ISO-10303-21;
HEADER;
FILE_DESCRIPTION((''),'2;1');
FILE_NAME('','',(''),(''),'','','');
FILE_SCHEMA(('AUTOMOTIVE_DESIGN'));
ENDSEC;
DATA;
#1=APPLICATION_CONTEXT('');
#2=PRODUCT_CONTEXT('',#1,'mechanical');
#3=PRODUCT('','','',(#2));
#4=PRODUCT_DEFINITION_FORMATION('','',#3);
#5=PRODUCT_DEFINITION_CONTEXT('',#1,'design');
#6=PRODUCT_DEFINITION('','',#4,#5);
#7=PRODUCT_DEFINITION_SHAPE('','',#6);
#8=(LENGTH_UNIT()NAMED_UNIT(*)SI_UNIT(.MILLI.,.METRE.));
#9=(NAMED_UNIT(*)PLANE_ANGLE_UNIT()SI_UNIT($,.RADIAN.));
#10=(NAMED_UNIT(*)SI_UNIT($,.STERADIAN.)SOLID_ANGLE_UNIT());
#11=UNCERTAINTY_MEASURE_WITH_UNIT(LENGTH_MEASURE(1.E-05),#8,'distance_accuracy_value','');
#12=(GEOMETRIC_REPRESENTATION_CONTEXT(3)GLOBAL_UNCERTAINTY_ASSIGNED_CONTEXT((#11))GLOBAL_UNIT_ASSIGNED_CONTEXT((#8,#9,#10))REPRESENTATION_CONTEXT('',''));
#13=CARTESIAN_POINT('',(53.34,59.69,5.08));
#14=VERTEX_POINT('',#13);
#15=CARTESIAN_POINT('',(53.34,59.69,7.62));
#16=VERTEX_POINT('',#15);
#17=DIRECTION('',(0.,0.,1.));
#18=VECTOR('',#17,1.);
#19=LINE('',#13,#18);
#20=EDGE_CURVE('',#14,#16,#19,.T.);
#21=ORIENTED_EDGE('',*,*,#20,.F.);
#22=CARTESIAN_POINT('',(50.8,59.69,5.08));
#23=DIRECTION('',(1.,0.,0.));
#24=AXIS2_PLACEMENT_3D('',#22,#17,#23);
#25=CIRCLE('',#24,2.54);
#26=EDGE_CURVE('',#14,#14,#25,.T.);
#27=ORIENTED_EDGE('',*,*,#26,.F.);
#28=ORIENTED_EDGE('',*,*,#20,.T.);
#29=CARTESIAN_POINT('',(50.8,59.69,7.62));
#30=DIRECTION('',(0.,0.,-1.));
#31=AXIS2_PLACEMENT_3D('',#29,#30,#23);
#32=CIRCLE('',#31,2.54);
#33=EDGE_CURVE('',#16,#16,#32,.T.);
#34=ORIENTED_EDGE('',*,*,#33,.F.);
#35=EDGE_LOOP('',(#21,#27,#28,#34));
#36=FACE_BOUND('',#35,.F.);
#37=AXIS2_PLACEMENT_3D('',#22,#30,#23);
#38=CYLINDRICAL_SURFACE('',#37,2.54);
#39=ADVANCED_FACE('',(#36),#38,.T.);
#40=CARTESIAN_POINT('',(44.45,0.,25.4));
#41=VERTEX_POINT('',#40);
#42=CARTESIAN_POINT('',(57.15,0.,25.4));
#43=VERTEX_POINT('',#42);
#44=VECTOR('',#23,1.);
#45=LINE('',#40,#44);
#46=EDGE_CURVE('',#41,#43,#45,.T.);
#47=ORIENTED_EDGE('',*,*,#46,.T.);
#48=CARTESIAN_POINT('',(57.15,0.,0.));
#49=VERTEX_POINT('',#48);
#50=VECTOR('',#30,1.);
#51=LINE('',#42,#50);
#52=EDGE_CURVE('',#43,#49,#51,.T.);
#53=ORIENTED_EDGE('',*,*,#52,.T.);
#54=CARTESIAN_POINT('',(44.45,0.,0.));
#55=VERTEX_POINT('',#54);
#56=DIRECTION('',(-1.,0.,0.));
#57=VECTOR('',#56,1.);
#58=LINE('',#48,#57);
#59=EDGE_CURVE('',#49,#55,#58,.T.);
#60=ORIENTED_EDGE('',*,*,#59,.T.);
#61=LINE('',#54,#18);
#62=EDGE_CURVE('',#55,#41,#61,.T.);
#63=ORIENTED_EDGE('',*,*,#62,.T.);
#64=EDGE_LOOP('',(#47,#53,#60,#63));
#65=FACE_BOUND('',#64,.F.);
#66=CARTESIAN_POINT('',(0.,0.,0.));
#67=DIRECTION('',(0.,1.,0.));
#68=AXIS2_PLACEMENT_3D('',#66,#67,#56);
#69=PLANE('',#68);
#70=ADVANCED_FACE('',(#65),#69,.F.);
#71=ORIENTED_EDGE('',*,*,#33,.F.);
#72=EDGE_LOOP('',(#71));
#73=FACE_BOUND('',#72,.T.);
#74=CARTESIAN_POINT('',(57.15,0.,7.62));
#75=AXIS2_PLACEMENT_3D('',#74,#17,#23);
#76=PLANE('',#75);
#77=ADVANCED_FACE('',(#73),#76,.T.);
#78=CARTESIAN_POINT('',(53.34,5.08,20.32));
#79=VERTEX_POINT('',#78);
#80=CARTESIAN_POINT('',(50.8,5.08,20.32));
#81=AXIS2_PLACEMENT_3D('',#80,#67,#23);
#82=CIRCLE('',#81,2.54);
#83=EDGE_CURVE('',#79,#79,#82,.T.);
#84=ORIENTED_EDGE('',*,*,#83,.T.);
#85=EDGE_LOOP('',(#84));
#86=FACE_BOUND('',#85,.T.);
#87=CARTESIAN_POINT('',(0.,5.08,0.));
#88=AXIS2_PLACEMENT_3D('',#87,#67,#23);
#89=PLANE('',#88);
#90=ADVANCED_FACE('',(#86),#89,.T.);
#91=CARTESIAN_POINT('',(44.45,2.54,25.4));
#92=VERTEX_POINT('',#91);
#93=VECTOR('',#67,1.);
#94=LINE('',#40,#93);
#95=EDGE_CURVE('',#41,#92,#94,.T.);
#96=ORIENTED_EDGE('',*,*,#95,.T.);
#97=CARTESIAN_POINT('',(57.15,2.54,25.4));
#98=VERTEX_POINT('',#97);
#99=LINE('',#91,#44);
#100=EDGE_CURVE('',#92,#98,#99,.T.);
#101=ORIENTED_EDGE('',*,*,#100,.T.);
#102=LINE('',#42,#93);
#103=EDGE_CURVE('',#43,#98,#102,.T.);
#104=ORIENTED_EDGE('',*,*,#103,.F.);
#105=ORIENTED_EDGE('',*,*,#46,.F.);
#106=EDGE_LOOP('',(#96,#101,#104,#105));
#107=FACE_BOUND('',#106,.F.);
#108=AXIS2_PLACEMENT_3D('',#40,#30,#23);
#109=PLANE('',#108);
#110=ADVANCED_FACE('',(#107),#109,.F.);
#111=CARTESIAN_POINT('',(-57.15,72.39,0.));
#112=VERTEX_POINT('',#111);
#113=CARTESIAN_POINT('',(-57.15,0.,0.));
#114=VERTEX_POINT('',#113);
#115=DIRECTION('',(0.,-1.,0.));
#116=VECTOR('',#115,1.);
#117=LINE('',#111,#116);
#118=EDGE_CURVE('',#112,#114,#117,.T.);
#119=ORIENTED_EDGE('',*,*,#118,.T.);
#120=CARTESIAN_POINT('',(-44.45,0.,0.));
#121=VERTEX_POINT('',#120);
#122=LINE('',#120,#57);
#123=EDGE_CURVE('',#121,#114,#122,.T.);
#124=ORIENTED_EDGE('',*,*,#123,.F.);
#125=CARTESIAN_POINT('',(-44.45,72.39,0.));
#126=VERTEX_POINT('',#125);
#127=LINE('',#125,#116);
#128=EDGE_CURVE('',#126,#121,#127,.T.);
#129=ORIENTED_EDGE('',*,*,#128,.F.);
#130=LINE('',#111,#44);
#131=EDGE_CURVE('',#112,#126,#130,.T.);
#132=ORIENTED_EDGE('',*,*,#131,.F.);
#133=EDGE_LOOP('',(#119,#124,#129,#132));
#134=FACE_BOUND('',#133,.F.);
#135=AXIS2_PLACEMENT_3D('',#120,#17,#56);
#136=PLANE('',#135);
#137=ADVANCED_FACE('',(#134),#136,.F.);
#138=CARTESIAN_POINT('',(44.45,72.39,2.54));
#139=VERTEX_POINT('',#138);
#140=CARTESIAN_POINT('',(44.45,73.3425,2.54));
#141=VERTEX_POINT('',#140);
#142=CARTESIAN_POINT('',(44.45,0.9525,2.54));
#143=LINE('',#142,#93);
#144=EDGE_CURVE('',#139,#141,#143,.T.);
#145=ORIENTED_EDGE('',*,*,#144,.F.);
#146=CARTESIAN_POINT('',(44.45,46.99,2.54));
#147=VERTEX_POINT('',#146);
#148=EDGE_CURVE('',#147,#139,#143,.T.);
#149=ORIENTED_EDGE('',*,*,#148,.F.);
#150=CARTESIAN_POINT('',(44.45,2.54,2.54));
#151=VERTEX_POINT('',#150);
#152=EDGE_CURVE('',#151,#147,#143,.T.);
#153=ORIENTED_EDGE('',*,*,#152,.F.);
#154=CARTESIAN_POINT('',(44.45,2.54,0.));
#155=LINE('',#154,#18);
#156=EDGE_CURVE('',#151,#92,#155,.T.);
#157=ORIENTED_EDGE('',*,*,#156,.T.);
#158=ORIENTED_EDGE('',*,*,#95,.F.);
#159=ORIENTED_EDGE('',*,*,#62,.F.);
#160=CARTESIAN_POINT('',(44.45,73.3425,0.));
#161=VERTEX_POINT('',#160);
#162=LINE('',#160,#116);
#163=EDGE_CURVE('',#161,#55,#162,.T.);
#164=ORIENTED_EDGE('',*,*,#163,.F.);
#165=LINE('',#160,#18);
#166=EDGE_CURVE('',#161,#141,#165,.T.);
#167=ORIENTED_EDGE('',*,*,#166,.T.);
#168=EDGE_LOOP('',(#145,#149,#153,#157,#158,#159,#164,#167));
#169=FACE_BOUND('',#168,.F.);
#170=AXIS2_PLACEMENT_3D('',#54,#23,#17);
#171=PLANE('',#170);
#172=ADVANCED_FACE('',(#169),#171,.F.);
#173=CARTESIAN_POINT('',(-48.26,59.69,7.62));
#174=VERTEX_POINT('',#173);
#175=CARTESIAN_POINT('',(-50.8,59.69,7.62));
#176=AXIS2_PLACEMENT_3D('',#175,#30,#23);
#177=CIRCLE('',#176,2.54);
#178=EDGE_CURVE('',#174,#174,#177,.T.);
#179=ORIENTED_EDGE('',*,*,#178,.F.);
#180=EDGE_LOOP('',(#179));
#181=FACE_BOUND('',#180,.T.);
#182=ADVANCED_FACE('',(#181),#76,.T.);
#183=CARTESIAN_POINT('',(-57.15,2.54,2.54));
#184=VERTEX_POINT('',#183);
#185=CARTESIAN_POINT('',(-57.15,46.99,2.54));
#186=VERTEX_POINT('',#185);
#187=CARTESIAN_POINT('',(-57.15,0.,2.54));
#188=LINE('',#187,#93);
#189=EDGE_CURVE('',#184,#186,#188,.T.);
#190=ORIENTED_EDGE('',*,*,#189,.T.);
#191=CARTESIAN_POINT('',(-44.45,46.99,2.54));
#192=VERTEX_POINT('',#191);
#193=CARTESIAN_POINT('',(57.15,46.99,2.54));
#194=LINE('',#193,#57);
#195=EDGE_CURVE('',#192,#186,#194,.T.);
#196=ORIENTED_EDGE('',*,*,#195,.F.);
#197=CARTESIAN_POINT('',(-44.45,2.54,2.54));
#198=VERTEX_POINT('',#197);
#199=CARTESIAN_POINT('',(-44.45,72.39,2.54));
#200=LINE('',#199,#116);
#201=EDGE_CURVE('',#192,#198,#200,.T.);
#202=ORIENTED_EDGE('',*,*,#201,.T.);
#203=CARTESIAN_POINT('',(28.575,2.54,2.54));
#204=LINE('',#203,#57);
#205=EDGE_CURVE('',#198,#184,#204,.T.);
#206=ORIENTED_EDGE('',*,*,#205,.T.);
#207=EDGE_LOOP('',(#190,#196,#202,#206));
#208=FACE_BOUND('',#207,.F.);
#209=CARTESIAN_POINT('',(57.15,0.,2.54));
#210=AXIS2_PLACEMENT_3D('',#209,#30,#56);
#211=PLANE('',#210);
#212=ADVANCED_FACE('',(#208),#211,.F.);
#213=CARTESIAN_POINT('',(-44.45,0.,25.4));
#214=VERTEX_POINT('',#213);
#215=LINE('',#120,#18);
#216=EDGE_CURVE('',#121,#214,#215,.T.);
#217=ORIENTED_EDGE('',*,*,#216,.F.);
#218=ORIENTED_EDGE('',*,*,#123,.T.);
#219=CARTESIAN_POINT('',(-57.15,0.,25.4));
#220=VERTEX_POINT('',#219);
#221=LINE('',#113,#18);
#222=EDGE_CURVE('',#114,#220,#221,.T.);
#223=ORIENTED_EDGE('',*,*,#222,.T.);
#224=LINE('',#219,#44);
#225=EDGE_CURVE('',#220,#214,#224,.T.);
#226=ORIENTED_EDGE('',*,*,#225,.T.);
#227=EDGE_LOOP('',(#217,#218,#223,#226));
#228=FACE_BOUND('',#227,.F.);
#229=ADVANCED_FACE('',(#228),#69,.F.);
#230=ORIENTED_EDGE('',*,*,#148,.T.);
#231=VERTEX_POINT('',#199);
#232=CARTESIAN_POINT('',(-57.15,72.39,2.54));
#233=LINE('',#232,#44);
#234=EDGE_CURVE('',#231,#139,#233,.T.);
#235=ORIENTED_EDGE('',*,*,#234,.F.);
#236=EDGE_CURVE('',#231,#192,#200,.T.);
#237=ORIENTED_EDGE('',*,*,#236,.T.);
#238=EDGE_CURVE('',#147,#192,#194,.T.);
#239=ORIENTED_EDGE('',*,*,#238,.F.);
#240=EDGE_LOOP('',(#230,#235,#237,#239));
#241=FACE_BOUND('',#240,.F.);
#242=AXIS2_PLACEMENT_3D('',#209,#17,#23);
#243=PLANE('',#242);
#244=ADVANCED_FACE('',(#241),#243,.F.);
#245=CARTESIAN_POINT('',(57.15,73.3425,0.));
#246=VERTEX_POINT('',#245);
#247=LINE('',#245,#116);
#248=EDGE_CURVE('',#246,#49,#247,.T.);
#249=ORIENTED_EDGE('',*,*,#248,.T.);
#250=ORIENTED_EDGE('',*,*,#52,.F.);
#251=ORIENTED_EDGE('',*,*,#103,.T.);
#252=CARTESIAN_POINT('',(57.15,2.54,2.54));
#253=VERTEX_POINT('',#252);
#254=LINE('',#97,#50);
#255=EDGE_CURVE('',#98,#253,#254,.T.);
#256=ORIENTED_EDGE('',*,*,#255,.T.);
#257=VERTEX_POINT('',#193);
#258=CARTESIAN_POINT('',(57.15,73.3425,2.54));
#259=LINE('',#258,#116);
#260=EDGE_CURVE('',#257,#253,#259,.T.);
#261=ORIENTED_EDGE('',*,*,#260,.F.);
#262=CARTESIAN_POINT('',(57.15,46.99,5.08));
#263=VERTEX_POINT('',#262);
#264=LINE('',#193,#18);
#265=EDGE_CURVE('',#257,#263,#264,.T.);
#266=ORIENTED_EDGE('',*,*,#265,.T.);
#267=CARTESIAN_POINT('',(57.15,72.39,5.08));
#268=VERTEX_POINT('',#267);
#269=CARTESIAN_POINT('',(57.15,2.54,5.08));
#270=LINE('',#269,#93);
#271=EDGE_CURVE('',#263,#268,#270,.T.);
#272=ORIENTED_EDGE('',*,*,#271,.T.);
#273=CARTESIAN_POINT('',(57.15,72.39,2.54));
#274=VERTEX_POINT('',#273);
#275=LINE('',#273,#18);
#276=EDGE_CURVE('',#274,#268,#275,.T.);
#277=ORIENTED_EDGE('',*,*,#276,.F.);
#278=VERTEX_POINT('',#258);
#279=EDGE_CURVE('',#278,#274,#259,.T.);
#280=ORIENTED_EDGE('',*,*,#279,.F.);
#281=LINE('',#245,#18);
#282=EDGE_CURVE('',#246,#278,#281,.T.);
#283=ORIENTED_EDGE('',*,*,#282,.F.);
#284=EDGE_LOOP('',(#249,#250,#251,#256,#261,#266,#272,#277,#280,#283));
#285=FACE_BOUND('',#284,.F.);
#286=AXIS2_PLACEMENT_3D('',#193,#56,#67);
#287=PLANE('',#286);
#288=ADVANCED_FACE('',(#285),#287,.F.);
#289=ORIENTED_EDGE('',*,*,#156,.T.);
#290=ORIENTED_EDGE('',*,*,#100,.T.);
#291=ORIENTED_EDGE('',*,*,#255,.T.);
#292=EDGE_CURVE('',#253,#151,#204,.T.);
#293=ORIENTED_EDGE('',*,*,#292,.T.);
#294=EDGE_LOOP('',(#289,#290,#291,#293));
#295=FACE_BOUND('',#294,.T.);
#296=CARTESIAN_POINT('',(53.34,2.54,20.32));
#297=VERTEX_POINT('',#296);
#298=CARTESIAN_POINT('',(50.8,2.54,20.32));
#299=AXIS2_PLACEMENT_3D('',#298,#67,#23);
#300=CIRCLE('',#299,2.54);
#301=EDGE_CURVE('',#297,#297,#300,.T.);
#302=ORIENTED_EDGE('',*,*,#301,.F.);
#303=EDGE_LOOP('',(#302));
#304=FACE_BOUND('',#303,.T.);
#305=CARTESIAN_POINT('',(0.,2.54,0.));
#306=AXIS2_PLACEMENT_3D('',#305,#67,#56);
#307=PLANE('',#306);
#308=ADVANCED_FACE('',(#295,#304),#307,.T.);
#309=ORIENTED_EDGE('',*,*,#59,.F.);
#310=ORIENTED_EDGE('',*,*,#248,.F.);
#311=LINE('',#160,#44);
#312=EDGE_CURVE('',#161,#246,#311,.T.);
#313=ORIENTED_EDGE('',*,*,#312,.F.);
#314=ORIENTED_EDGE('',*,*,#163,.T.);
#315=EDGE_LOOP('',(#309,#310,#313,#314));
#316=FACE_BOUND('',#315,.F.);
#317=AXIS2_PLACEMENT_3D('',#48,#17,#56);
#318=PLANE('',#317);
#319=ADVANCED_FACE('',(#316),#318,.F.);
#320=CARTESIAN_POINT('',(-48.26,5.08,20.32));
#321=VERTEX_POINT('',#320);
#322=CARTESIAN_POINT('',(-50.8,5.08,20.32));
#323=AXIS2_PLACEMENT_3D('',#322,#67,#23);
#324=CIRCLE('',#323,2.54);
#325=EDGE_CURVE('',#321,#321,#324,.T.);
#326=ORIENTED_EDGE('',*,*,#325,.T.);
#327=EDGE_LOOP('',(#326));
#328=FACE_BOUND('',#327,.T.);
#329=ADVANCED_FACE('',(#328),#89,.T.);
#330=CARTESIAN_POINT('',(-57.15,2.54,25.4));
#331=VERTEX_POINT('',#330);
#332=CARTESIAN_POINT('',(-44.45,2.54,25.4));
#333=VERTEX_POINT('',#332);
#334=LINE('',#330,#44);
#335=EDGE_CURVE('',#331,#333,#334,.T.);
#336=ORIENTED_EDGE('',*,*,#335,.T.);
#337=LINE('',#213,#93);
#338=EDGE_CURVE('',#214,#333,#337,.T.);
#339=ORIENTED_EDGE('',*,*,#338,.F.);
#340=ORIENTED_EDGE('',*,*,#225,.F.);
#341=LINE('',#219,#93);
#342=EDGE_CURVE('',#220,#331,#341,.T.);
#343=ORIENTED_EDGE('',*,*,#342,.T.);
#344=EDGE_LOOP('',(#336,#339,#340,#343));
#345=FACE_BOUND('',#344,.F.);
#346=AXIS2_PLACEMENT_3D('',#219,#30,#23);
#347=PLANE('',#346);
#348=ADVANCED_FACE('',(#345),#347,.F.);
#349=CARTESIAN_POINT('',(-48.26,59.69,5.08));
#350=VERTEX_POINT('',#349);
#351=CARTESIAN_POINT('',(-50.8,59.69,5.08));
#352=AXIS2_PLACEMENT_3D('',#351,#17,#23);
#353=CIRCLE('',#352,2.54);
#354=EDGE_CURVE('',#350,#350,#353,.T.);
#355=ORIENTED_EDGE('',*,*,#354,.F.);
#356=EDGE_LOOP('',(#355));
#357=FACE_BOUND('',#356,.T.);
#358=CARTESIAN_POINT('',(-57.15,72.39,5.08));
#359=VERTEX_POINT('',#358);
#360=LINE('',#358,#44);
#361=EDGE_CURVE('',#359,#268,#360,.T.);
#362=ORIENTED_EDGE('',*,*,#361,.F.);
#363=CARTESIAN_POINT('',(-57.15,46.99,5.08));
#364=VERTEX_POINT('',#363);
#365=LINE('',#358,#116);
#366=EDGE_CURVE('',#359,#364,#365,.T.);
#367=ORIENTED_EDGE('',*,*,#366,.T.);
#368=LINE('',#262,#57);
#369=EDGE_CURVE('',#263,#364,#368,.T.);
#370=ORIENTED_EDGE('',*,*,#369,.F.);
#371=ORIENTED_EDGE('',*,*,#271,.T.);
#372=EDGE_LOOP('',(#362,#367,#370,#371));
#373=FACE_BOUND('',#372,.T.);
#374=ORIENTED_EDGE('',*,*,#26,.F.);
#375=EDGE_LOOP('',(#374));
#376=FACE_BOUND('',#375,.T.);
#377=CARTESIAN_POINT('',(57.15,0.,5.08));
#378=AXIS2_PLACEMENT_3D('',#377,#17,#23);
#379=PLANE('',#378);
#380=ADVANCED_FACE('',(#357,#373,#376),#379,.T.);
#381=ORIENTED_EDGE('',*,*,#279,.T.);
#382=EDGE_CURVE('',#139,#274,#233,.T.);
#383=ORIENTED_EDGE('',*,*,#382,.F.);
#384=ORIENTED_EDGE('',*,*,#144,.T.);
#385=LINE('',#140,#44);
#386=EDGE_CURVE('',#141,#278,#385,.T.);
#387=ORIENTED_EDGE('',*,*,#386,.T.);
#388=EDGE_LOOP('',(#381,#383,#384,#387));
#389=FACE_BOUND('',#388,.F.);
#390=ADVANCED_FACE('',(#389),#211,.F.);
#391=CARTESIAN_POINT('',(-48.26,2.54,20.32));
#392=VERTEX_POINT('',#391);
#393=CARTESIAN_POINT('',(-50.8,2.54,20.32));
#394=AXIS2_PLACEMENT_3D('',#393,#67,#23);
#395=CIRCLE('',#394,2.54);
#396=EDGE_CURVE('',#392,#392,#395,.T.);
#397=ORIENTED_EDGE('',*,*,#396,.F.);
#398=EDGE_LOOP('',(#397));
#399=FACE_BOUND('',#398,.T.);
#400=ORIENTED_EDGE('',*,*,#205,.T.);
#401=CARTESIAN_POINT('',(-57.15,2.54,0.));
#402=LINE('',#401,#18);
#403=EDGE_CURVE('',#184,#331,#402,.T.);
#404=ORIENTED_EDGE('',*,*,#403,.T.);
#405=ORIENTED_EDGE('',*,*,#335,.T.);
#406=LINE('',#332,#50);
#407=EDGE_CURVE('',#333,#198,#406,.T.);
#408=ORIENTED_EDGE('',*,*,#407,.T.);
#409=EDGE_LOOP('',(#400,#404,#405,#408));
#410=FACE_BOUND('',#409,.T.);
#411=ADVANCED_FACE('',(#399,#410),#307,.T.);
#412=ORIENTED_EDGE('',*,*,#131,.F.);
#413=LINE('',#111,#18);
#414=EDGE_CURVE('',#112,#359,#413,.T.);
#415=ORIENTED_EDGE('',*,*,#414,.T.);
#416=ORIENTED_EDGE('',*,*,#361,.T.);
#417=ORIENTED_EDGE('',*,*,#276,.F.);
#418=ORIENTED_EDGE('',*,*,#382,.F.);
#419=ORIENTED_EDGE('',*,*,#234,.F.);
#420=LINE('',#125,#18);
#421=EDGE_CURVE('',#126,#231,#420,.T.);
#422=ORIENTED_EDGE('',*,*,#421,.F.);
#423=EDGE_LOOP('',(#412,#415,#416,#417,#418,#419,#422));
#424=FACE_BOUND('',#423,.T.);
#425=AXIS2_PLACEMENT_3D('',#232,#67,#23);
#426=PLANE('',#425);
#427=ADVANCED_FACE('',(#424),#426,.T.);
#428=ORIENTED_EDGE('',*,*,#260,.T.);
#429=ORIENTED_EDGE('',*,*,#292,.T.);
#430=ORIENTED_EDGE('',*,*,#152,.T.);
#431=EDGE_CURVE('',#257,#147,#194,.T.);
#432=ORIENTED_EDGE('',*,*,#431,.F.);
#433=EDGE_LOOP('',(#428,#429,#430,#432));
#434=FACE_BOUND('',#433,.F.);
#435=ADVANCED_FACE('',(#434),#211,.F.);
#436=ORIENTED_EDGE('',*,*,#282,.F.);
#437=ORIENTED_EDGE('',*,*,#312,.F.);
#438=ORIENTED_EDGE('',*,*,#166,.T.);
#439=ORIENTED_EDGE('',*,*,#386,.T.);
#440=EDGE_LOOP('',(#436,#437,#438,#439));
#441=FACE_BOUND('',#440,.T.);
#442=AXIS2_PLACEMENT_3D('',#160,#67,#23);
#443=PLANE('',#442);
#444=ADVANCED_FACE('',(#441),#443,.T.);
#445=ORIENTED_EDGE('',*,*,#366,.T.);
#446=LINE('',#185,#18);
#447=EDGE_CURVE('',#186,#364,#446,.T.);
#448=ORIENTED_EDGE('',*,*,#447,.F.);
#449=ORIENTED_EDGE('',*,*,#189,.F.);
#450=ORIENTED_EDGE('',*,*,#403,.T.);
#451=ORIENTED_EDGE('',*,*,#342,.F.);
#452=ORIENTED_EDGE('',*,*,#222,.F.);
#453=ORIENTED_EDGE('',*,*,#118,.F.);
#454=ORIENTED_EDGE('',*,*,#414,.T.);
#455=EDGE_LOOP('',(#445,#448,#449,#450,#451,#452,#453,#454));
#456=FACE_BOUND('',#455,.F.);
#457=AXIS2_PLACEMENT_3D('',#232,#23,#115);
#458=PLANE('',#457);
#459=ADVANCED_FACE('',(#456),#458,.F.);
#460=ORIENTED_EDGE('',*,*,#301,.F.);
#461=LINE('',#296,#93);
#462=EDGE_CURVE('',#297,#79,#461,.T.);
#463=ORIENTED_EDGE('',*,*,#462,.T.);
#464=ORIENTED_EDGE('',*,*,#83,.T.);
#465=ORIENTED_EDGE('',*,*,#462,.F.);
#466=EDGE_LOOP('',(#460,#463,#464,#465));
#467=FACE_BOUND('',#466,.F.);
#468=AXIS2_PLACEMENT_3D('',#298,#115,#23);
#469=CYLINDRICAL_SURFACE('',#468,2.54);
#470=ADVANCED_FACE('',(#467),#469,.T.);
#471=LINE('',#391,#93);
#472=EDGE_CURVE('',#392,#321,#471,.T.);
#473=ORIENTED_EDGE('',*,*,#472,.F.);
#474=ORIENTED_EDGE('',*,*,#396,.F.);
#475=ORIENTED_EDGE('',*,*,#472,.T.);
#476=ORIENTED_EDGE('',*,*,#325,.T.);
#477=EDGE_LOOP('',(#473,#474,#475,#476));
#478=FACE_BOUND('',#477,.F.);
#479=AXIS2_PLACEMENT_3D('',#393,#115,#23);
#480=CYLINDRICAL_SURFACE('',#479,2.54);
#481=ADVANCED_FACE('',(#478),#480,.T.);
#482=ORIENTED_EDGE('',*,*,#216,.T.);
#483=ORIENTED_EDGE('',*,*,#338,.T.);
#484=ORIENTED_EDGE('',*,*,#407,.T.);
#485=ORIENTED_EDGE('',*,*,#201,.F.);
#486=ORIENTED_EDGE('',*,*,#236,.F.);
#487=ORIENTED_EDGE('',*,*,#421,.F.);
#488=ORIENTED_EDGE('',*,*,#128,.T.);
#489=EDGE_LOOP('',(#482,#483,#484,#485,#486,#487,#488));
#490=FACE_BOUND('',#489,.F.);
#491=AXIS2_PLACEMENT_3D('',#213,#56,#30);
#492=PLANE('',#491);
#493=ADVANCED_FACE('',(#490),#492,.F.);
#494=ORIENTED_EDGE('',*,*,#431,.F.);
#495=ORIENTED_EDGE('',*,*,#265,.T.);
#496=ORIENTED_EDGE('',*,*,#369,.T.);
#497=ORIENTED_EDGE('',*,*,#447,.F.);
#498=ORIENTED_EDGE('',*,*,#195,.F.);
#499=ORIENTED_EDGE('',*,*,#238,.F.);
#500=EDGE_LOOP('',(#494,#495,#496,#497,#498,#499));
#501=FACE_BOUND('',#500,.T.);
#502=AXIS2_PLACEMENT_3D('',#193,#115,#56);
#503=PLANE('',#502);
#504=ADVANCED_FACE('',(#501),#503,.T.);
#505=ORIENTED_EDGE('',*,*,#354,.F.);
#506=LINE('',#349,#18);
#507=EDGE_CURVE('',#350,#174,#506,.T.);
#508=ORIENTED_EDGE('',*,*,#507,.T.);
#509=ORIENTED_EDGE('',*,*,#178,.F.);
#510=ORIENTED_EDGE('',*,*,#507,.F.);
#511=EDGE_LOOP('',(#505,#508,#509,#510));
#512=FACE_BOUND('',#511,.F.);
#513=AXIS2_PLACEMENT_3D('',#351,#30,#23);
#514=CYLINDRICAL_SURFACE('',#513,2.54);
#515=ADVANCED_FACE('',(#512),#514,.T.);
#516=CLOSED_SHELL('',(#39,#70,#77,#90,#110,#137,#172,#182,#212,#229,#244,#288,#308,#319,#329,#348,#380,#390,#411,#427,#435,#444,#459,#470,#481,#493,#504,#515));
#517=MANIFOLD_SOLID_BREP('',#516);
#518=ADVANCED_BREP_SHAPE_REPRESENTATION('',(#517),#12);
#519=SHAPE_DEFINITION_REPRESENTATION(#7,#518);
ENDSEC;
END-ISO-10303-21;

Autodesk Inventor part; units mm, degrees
ref_plane "YZ Plane" through (0, 0, 0) normal (1, 0, 0) x (0, 1, 0)
ref_plane "XZ Plane" through (0, 0, 0) normal (0, 1, 0) x (-1, 0, 0)
ref_plane "XY Plane" through (0, 0, 0) normal (0, 0, 1) x (1, 0, 0)
sketch "Sketch1" plane through (0, 0, 0) normal (0, 1, 0) x (-1, 0, 0)
  line L0 (57.15, 25.4) -> (44.45, 25.4)
  line L1 (44.45, 25.4) -> (44.45, 0)
  line L2 (44.45, 0) -> (57.15, 0)
  line L3 (57.15, 0) -> (57.15, 25.4)
  line L4 (-44.45, 25.4) -> (-57.15, 25.4)
  line L5 (-57.15, 25.4) -> (-57.15, 0)
  line L6 (-57.15, 0) -> (-44.45, 0)
  line L7 (-44.45, 0) -> (-44.45, 25.4)
  line L8 (44.45, 25.4) -> (-44.45, 25.4) construction
  point P0 (0, 0)
  dimension "d0" = 12.7
  dimension "d1" = 25.4
  dimension "d2" = 114.3
  dimension "d3" = 57.15
extrude "Extrusion1" add sketch "Sketch1" along normal blind 2.54
sketch "Sketch2" plane through (57.15, 0, 0) normal (0, 0, -1) x (-1, 0, 0)
  line L0 (0, 0.9525) -> (12.7, 0.9525)
  line L1 (12.7, 0.9525) -> (12.7, 73.3425)
  line L2 (12.7, 73.3425) -> (0, 73.3425)
  line L3 (0, 73.3425) -> (0, 0.9525)
  line L4 (101.6, 0) -> (114.3, 0)
  line L5 (114.3, 0) -> (114.3, 72.39)
  line L6 (114.3, 72.39) -> (101.6, 72.39)
  line L7 (101.6, 72.39) -> (101.6, 0)
  line L8 (12.7, 0) -> (12.7, 2.54) projected
  point P0 (57.15, 0)
  dimension "d6" = 12.7
  dimension "d7" = 12.7
  dimension "d8" = 12.7
  dimension "d9" = 72.39
extrude "Extrusion2" add sketch "Sketch2" against normal blind 2.54
sketch "Sketch3" plane through (57.15, 0, 2.54) normal (0, 0, 1) x (1, 0, 0)
  line L0 (-114.3, 72.39) -> (-114.3, 2.54) projected
  line L1 (0, 2.54) -> (0, 73.3425) projected
  line L2 (-114.3, 72.39) -> (0, 72.39)
  line L3 (0, 72.39) -> (0, 46.99)
  line L4 (0, 46.99) -> (-114.3, 46.99)
  line L5 (-114.3, 46.99) -> (-114.3, 72.39)
  point P0 (-57.15, 0)
  point P1 (0, 72.39)
  point P2 (0, 3.81)
  dimension "d12" = 25.4
extrude "Extrusion3" add sketch "Sketch3" along normal blind 2.54
sketch "Sketch4" plane through (57.15, 0, 5.08) normal (0, 0, 1) x (1, 0, 0)
  circle A0 centre (-107.95, 59.69) radius 2.54
  circle A1 centre (-6.35, 59.69) radius 2.54
  line L0 (-114.3, 72.39) -> (-114.3, 46.99) projected
  line L1 (-114.3, 59.69) -> (-107.95, 59.69)
  line L2 (-107.95, 59.69) -> (-6.35, 59.69)
  line L3 (-6.35, 59.69) -> (0, 59.69)
  line L4 (0, 46.99) -> (0, 72.39) projected
  point P0 (-57.15, 0)
  dimension "d15" = 5.08
  dimension "d16" = 6.35
extrude "Extrusion4" add sketch "Sketch4" along normal blind 2.54
sketch "Sketch5" plane through (0, 2.54, 0) normal (0, 1, 0) x (1, 0, 0)
  circle A0 centre (-50.8, -20.32) radius 2.54
  circle A1 centre (50.8, -20.32) radius 2.54
  line L0 (-57.15, -25.4) -> (-44.45, -25.4) projected
  line L1 (-50.8, -25.4) -> (-50.8, 0) construction
  line L2 (44.45, -25.4) -> (57.15, -25.4) projected
  line L3 (50.8, -25.4) -> (50.8, 0) construction
  point P0 (0, 0)
  dimension "d19" = 5.08
  dimension "d20" = 5.08
  dimension "d21" = 5.08
extrude "Extrusion5" add sketch "Sketch5" along normal blind 2.54
equation "\"d3\" = 0.5 * d2"
equation "\"d21\" = d20"
properties part number "Frame"
